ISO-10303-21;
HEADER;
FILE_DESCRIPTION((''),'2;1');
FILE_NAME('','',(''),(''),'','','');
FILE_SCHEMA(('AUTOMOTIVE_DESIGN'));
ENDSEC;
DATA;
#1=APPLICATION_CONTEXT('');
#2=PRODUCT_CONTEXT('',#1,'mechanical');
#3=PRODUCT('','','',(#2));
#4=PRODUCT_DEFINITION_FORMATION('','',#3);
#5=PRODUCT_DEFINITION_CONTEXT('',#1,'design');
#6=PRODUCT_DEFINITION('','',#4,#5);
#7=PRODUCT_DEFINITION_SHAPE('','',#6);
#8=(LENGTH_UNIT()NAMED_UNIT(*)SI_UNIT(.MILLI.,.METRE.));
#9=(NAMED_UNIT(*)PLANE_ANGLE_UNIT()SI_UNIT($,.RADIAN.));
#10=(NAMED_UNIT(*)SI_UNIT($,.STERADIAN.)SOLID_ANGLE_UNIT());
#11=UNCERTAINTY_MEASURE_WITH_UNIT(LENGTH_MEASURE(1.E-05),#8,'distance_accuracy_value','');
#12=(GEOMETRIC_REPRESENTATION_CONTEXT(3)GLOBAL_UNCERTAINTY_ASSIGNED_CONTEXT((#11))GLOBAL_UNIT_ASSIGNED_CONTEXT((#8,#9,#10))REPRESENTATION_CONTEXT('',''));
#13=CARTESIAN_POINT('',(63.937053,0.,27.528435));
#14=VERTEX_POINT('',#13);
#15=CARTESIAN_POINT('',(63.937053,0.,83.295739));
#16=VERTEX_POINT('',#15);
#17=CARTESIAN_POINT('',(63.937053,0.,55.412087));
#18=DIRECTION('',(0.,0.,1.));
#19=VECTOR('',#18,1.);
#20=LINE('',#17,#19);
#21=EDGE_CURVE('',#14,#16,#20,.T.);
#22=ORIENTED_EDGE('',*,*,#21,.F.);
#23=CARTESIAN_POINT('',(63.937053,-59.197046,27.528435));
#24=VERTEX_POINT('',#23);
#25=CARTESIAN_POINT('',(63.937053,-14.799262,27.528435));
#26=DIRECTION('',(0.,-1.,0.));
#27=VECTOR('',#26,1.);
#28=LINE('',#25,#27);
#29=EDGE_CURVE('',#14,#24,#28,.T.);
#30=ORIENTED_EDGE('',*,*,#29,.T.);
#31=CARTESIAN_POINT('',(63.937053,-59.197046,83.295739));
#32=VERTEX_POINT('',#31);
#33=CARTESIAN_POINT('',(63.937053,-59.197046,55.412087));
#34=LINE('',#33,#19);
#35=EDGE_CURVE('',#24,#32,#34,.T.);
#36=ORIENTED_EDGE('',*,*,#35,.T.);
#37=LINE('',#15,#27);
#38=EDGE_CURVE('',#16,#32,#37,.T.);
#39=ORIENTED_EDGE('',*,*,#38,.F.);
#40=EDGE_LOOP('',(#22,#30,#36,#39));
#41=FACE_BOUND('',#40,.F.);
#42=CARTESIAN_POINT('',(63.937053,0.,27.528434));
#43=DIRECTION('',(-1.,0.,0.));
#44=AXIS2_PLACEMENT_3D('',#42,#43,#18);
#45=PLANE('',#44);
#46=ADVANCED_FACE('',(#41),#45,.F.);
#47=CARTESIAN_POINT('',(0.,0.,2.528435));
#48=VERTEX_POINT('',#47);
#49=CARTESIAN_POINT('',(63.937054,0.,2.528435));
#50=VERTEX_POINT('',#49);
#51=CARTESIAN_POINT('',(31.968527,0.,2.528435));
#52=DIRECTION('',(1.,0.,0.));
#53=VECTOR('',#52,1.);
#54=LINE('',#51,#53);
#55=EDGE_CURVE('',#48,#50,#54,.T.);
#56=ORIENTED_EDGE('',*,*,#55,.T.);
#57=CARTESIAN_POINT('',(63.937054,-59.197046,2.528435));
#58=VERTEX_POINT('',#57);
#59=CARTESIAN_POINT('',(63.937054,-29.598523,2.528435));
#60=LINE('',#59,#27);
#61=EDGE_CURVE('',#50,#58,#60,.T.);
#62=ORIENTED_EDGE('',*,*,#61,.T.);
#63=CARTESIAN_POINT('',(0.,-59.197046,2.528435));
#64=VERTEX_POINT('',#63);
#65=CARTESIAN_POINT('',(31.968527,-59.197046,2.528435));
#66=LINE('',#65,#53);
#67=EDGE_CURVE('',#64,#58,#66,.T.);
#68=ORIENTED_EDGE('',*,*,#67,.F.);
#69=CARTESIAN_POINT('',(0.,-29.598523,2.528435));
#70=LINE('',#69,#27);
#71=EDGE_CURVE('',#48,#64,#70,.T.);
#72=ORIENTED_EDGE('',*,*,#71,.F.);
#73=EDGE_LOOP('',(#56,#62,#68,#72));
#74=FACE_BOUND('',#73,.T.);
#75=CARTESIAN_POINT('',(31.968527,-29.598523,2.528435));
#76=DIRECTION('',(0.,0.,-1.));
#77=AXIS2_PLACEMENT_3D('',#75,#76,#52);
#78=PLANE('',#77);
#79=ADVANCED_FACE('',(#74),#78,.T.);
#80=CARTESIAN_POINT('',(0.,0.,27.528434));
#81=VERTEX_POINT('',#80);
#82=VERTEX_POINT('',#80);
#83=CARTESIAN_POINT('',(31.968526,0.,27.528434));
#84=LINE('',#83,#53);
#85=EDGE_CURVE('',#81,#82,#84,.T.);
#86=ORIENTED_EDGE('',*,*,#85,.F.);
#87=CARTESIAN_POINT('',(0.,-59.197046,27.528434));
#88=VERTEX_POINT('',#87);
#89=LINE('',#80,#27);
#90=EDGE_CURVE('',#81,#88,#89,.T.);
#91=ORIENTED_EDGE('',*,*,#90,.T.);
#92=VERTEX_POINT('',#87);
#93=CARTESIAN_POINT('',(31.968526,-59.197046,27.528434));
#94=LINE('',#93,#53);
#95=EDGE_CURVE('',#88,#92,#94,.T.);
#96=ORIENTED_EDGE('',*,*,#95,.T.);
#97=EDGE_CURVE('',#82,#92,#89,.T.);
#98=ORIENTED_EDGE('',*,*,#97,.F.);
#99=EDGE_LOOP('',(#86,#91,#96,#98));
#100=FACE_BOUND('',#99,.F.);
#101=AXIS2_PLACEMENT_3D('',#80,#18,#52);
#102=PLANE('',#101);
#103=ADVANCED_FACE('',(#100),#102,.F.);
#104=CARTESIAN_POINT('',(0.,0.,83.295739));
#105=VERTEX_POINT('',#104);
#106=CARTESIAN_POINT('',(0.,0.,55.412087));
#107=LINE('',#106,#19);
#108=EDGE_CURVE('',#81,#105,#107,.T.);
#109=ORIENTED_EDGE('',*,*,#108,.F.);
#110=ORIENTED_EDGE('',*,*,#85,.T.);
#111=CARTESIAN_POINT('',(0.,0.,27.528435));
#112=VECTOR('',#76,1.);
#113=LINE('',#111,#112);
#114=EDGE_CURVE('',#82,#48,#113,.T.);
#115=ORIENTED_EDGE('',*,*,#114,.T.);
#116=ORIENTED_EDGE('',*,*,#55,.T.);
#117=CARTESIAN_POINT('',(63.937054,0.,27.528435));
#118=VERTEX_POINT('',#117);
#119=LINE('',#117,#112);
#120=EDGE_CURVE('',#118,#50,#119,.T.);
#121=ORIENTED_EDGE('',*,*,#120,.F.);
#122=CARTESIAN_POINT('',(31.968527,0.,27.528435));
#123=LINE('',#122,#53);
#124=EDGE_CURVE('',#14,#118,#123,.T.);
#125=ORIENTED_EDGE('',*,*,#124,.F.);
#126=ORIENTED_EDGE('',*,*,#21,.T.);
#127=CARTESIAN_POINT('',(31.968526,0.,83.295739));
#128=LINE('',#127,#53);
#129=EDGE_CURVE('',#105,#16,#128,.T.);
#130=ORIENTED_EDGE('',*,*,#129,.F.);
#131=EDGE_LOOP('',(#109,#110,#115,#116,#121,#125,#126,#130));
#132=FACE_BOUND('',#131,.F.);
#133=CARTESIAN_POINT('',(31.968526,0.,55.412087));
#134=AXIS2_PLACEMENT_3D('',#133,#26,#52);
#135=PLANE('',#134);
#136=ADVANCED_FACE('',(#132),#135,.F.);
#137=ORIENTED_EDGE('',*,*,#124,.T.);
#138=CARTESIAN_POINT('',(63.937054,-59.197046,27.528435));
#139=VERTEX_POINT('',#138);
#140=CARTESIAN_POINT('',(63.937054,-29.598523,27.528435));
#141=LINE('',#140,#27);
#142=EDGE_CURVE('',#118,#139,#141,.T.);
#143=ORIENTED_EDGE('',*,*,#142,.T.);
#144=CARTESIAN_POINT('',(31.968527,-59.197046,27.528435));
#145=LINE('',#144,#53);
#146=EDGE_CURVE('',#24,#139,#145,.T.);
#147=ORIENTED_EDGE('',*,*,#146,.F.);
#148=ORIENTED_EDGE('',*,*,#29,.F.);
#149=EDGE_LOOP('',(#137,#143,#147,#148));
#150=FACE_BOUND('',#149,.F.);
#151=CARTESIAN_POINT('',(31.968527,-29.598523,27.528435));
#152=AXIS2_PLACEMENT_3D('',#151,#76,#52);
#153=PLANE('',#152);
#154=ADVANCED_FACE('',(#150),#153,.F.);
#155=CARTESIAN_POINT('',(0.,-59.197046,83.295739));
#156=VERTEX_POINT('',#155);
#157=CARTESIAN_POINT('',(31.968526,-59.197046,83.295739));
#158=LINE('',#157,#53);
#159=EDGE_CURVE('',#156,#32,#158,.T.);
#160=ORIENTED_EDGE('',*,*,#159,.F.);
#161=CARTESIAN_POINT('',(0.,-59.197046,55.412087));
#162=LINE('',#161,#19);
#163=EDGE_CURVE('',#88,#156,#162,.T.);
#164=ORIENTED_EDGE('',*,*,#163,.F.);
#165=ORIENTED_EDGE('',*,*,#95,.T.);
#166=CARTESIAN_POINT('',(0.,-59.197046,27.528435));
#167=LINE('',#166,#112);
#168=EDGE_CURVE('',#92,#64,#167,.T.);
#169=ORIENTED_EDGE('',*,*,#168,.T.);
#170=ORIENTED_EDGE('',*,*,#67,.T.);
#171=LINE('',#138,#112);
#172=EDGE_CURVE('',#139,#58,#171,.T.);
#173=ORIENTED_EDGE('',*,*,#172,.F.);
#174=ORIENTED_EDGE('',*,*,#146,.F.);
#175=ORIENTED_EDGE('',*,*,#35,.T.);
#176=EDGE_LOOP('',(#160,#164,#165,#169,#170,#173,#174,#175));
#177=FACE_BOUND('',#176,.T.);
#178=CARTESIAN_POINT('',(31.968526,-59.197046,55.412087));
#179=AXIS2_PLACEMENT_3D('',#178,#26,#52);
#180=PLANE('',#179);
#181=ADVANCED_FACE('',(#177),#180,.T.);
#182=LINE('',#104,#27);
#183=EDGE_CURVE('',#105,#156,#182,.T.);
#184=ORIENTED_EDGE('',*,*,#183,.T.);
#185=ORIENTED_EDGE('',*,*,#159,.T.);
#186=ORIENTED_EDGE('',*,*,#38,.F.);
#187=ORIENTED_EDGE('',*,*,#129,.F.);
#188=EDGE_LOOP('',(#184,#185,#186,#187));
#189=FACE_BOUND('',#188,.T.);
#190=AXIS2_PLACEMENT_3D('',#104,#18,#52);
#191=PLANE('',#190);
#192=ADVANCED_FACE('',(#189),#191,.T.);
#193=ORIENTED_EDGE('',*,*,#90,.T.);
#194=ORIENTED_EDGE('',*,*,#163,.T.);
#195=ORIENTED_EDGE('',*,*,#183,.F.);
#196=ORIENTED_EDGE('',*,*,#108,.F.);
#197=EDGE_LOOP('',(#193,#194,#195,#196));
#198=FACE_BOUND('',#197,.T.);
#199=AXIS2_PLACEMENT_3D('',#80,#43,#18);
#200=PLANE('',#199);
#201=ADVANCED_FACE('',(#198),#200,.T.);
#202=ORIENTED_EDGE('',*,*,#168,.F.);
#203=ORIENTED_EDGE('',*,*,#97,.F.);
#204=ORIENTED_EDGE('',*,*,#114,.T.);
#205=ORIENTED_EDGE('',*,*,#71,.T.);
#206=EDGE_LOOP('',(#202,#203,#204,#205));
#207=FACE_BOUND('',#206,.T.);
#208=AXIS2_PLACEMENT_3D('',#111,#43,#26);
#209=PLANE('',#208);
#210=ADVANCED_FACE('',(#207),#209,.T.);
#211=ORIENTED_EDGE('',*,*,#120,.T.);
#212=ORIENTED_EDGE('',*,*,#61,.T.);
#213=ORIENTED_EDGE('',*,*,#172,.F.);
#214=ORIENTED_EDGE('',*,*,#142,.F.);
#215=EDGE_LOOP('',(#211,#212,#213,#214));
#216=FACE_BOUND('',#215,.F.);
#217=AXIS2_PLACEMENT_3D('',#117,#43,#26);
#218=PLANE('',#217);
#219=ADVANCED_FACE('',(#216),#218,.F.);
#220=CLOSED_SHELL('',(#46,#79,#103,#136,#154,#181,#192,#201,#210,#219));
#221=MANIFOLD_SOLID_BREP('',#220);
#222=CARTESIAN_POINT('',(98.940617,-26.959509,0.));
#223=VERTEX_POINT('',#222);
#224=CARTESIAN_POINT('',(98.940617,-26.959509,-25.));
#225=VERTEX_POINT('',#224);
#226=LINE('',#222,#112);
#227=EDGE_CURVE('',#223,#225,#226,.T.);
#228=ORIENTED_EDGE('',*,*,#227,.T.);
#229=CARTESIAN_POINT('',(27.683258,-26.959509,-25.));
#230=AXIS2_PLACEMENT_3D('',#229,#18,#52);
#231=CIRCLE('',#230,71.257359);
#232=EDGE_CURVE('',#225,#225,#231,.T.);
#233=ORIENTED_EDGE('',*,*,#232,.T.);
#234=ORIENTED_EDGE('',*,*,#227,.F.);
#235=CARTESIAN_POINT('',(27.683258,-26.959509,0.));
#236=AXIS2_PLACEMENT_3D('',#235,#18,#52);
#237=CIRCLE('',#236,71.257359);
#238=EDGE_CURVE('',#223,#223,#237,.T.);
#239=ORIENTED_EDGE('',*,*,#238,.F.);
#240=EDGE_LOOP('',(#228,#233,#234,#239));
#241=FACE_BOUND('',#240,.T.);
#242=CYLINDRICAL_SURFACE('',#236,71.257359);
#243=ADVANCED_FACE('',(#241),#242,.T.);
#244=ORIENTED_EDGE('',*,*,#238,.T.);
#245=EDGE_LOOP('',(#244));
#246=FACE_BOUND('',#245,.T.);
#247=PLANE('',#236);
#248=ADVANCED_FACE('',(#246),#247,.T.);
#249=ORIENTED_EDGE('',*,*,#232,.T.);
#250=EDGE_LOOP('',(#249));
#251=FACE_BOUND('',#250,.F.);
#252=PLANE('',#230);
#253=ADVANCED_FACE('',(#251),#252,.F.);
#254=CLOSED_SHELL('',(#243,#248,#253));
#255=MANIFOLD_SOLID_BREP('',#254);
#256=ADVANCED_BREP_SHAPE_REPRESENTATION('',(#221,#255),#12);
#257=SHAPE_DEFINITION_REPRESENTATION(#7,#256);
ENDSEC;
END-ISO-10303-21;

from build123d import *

# Parameters (mm, degrees)
F0_W      = 63.937053
F0_H      = 55.767305
F1_DEPTH  = 59.197046
F2_R      = 71.257359
F3_DEPTH  = 25
F1_FACE_W = 63.937054
F1_FACE_H = 59.197046
F4_DEPTH  = 25


with BuildPart() as f1:
    # F0 (on Front) → F1 (new body)
    with BuildSketch(Plane.XZ):
        with Locations((31.968526, 55.412087)):
            Rectangle(F0_W, F0_H)
    extrude(amount=F1_DEPTH)

    # F1_face (on face) → F4 (join)
    with BuildSketch(Plane(origin=(31.968527, -29.598523, 27.528435), x_dir=(1, 0, 0), z_dir=(0, 0, -1))):
        Rectangle(F1_FACE_W, F1_FACE_H)
    extrude(amount=F4_DEPTH)


with BuildPart() as f3:
    # F2 (on Top) → F3 (new body)
    with BuildSketch(Plane.XY):
        with Locations((27.683258, -26.959509)):
            Circle(F2_R)
    extrude(amount=-F3_DEPTH)


solid = Compound([f1.part, f3.part])
